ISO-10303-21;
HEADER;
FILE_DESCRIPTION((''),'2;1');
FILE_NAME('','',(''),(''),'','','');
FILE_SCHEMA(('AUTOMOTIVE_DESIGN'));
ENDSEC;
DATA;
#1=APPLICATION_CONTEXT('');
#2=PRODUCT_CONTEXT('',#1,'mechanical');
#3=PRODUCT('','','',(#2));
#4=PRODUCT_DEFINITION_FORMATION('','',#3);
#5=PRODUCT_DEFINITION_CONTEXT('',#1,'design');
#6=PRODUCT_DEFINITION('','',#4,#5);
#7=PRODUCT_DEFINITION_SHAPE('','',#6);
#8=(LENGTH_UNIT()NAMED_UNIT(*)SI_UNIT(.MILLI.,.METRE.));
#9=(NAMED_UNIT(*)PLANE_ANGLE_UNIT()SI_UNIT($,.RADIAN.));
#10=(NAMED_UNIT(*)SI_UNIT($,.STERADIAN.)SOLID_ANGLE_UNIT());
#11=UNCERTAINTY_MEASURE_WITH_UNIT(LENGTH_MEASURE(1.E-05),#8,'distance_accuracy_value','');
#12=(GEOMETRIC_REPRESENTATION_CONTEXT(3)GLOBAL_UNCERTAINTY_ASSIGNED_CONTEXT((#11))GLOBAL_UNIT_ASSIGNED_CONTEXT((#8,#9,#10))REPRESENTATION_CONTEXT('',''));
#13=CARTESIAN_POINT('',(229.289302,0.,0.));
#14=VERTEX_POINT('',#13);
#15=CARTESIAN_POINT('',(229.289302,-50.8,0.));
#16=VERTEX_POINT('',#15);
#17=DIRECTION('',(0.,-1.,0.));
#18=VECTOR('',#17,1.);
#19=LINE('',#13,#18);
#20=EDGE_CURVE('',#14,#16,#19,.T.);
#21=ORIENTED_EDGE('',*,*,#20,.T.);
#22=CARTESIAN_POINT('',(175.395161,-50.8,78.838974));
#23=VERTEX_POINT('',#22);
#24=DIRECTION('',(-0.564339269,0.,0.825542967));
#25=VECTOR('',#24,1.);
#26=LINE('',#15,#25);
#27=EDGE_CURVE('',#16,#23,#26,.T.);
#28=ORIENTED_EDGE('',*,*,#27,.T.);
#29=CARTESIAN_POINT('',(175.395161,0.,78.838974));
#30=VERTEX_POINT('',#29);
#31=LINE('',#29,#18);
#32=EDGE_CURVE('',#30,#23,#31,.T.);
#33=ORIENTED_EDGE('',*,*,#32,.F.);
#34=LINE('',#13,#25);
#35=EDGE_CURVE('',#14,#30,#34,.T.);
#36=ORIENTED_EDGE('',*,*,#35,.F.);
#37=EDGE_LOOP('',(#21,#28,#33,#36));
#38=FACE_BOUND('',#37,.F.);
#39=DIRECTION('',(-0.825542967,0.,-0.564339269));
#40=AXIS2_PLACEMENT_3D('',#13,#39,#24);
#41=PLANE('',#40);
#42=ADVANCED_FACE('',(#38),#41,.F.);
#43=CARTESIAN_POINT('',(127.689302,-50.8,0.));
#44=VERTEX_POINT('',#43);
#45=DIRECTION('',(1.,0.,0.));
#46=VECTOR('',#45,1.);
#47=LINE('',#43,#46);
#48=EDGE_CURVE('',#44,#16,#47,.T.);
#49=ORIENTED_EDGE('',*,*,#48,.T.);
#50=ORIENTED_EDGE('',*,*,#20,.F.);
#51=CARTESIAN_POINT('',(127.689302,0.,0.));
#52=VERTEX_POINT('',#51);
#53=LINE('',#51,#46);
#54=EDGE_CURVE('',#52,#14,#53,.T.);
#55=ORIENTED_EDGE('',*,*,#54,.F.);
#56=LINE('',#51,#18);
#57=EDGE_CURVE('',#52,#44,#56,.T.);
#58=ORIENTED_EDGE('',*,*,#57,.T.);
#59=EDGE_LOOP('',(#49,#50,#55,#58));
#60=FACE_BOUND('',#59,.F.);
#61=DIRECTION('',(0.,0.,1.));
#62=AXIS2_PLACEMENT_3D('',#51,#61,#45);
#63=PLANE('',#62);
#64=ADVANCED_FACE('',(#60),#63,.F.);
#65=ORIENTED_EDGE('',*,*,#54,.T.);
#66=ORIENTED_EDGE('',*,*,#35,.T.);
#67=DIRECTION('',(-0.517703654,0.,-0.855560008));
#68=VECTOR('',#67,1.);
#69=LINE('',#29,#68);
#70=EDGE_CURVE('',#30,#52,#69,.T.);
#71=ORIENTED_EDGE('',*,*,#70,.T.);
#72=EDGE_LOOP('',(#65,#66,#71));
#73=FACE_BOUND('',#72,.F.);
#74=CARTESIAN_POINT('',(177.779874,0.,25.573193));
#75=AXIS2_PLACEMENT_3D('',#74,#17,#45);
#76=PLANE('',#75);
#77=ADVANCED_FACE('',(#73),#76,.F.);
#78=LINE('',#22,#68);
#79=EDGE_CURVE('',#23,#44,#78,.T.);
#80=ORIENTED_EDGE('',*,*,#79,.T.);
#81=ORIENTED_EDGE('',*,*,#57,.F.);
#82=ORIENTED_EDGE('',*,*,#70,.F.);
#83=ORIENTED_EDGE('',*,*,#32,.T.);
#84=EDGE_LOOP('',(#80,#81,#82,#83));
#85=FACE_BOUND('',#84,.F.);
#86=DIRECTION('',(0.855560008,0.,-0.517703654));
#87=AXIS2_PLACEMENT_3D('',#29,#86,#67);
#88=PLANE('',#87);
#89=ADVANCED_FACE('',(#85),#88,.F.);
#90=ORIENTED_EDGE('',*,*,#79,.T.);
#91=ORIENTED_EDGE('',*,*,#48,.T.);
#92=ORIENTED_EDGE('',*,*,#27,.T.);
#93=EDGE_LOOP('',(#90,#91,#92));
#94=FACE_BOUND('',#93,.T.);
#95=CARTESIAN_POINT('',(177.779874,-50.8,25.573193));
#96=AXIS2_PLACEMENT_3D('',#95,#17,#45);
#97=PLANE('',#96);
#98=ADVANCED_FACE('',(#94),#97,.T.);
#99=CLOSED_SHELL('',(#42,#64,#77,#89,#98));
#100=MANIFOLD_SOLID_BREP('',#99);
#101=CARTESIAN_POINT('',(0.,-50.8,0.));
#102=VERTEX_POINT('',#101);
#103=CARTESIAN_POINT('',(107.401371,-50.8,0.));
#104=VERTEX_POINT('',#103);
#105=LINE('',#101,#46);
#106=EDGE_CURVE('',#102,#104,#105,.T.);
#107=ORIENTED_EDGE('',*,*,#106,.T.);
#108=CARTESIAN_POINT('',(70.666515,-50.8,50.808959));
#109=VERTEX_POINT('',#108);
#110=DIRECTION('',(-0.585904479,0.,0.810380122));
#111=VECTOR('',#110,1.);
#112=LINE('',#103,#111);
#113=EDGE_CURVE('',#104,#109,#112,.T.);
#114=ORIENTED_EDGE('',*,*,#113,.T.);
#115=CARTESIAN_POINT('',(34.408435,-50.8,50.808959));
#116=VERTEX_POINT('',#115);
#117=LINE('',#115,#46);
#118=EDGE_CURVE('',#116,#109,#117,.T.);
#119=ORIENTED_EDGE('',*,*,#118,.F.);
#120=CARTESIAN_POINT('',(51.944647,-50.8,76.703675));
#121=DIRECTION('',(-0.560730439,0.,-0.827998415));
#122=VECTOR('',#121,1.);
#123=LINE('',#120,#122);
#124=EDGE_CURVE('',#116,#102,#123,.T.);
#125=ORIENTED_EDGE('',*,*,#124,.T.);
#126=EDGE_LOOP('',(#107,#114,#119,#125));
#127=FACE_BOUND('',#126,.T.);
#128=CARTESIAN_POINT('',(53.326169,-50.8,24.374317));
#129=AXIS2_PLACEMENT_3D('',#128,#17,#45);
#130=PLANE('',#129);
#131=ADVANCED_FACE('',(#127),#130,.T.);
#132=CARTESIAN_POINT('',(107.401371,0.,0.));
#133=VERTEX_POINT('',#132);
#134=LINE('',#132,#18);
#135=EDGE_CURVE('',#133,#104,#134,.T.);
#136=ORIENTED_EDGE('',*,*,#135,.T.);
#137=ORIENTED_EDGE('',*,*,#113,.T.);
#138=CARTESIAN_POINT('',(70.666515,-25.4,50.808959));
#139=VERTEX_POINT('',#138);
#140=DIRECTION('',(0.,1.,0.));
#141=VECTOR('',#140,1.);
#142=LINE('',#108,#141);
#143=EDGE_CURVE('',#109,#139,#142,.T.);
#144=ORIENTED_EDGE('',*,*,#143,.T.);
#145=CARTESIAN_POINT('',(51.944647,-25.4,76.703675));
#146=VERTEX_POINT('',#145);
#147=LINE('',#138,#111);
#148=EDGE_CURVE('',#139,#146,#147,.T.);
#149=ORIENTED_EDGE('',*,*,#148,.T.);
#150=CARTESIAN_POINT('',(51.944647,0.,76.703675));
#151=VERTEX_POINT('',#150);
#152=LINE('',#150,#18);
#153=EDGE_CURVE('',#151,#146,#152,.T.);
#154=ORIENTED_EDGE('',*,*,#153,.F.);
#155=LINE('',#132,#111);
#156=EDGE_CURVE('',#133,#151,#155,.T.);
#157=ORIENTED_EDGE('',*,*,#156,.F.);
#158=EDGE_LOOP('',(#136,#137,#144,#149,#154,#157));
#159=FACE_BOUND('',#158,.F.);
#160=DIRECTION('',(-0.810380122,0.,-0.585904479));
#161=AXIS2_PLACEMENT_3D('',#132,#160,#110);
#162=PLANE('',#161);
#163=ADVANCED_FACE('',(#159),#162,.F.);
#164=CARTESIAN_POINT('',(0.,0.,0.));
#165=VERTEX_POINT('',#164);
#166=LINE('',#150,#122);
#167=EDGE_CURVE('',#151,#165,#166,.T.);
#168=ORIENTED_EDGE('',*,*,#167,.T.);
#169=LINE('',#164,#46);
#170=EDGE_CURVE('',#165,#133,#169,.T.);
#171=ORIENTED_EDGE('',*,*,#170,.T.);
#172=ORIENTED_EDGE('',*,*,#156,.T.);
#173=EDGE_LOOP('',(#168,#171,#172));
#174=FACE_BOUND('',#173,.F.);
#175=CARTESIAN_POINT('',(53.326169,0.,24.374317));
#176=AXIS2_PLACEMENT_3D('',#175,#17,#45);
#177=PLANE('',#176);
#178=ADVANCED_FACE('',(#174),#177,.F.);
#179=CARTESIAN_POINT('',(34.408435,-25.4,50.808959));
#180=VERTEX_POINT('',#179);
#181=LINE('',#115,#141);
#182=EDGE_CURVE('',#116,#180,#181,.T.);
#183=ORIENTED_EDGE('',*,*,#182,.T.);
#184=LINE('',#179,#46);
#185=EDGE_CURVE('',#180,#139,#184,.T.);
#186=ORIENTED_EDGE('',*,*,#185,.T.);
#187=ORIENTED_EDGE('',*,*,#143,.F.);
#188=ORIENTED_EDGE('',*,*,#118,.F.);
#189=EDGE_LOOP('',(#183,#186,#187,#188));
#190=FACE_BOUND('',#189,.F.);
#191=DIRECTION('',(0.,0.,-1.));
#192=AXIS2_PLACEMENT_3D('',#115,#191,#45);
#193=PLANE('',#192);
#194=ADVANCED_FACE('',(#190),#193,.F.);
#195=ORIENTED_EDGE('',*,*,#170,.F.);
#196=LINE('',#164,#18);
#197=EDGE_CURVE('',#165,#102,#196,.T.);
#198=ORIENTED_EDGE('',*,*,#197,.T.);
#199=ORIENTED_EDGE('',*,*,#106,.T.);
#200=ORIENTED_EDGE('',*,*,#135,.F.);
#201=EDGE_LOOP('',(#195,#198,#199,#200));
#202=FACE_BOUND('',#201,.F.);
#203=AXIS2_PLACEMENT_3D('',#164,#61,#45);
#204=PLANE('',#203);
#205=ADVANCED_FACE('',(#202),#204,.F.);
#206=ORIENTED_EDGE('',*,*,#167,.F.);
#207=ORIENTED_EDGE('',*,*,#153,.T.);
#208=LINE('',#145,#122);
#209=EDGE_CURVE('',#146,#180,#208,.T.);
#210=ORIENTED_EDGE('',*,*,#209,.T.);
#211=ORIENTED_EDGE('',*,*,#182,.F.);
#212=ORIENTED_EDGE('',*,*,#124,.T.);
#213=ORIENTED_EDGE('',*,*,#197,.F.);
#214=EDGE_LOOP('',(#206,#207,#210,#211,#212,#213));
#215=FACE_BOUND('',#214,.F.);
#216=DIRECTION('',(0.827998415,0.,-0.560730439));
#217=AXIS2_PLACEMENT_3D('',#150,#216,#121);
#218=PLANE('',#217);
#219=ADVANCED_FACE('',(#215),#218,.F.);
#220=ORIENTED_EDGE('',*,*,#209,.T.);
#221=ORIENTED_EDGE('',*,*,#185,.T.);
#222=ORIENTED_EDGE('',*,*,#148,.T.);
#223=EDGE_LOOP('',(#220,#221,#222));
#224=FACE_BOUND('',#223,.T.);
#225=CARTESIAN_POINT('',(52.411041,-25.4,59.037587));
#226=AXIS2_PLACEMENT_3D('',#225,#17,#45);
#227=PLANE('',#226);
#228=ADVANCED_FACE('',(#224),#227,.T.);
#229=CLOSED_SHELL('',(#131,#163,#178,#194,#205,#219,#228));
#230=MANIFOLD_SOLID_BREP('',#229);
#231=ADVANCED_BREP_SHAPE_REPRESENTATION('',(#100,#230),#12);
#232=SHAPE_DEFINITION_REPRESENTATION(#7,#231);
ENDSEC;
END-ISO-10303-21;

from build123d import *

# Parameters (mm, degrees)
F1_DEPTH = 50.8
F3_DEPTH = 25.4
F5_DEPTH = 50.8


with BuildPart() as f1:
    # F0 (on Front) → F1 (new body)
    with BuildSketch(Plane.XZ):
        Polygon((51.9446469843, 76.7036750913), (0, 0), (107.4013710022, 0), align=None)
    extrude(amount=F1_DEPTH)

    # F2 (on face) → F3 (cut)
    with BuildSketch(Plane.XZ.offset(50.8)):
        Polygon((51.9446469843, 76.7036750913), (34.4084353838, 50.8089591767), (70.6665154253, 50.8089591767), align=None)
    extrude(amount=-F3_DEPTH, mode=Mode.SUBTRACT)


with BuildPart() as f5:
    # F4 (on Front) → F5 (new body)
    with BuildSketch(Plane.XZ):
        Polygon((175.3951609135, 78.8389742374), (127.6893019676, 0), (229.2893019676, 0), align=None)
    extrude(amount=F5_DEPTH)


solid = Compound([f1.part, f5.part])
